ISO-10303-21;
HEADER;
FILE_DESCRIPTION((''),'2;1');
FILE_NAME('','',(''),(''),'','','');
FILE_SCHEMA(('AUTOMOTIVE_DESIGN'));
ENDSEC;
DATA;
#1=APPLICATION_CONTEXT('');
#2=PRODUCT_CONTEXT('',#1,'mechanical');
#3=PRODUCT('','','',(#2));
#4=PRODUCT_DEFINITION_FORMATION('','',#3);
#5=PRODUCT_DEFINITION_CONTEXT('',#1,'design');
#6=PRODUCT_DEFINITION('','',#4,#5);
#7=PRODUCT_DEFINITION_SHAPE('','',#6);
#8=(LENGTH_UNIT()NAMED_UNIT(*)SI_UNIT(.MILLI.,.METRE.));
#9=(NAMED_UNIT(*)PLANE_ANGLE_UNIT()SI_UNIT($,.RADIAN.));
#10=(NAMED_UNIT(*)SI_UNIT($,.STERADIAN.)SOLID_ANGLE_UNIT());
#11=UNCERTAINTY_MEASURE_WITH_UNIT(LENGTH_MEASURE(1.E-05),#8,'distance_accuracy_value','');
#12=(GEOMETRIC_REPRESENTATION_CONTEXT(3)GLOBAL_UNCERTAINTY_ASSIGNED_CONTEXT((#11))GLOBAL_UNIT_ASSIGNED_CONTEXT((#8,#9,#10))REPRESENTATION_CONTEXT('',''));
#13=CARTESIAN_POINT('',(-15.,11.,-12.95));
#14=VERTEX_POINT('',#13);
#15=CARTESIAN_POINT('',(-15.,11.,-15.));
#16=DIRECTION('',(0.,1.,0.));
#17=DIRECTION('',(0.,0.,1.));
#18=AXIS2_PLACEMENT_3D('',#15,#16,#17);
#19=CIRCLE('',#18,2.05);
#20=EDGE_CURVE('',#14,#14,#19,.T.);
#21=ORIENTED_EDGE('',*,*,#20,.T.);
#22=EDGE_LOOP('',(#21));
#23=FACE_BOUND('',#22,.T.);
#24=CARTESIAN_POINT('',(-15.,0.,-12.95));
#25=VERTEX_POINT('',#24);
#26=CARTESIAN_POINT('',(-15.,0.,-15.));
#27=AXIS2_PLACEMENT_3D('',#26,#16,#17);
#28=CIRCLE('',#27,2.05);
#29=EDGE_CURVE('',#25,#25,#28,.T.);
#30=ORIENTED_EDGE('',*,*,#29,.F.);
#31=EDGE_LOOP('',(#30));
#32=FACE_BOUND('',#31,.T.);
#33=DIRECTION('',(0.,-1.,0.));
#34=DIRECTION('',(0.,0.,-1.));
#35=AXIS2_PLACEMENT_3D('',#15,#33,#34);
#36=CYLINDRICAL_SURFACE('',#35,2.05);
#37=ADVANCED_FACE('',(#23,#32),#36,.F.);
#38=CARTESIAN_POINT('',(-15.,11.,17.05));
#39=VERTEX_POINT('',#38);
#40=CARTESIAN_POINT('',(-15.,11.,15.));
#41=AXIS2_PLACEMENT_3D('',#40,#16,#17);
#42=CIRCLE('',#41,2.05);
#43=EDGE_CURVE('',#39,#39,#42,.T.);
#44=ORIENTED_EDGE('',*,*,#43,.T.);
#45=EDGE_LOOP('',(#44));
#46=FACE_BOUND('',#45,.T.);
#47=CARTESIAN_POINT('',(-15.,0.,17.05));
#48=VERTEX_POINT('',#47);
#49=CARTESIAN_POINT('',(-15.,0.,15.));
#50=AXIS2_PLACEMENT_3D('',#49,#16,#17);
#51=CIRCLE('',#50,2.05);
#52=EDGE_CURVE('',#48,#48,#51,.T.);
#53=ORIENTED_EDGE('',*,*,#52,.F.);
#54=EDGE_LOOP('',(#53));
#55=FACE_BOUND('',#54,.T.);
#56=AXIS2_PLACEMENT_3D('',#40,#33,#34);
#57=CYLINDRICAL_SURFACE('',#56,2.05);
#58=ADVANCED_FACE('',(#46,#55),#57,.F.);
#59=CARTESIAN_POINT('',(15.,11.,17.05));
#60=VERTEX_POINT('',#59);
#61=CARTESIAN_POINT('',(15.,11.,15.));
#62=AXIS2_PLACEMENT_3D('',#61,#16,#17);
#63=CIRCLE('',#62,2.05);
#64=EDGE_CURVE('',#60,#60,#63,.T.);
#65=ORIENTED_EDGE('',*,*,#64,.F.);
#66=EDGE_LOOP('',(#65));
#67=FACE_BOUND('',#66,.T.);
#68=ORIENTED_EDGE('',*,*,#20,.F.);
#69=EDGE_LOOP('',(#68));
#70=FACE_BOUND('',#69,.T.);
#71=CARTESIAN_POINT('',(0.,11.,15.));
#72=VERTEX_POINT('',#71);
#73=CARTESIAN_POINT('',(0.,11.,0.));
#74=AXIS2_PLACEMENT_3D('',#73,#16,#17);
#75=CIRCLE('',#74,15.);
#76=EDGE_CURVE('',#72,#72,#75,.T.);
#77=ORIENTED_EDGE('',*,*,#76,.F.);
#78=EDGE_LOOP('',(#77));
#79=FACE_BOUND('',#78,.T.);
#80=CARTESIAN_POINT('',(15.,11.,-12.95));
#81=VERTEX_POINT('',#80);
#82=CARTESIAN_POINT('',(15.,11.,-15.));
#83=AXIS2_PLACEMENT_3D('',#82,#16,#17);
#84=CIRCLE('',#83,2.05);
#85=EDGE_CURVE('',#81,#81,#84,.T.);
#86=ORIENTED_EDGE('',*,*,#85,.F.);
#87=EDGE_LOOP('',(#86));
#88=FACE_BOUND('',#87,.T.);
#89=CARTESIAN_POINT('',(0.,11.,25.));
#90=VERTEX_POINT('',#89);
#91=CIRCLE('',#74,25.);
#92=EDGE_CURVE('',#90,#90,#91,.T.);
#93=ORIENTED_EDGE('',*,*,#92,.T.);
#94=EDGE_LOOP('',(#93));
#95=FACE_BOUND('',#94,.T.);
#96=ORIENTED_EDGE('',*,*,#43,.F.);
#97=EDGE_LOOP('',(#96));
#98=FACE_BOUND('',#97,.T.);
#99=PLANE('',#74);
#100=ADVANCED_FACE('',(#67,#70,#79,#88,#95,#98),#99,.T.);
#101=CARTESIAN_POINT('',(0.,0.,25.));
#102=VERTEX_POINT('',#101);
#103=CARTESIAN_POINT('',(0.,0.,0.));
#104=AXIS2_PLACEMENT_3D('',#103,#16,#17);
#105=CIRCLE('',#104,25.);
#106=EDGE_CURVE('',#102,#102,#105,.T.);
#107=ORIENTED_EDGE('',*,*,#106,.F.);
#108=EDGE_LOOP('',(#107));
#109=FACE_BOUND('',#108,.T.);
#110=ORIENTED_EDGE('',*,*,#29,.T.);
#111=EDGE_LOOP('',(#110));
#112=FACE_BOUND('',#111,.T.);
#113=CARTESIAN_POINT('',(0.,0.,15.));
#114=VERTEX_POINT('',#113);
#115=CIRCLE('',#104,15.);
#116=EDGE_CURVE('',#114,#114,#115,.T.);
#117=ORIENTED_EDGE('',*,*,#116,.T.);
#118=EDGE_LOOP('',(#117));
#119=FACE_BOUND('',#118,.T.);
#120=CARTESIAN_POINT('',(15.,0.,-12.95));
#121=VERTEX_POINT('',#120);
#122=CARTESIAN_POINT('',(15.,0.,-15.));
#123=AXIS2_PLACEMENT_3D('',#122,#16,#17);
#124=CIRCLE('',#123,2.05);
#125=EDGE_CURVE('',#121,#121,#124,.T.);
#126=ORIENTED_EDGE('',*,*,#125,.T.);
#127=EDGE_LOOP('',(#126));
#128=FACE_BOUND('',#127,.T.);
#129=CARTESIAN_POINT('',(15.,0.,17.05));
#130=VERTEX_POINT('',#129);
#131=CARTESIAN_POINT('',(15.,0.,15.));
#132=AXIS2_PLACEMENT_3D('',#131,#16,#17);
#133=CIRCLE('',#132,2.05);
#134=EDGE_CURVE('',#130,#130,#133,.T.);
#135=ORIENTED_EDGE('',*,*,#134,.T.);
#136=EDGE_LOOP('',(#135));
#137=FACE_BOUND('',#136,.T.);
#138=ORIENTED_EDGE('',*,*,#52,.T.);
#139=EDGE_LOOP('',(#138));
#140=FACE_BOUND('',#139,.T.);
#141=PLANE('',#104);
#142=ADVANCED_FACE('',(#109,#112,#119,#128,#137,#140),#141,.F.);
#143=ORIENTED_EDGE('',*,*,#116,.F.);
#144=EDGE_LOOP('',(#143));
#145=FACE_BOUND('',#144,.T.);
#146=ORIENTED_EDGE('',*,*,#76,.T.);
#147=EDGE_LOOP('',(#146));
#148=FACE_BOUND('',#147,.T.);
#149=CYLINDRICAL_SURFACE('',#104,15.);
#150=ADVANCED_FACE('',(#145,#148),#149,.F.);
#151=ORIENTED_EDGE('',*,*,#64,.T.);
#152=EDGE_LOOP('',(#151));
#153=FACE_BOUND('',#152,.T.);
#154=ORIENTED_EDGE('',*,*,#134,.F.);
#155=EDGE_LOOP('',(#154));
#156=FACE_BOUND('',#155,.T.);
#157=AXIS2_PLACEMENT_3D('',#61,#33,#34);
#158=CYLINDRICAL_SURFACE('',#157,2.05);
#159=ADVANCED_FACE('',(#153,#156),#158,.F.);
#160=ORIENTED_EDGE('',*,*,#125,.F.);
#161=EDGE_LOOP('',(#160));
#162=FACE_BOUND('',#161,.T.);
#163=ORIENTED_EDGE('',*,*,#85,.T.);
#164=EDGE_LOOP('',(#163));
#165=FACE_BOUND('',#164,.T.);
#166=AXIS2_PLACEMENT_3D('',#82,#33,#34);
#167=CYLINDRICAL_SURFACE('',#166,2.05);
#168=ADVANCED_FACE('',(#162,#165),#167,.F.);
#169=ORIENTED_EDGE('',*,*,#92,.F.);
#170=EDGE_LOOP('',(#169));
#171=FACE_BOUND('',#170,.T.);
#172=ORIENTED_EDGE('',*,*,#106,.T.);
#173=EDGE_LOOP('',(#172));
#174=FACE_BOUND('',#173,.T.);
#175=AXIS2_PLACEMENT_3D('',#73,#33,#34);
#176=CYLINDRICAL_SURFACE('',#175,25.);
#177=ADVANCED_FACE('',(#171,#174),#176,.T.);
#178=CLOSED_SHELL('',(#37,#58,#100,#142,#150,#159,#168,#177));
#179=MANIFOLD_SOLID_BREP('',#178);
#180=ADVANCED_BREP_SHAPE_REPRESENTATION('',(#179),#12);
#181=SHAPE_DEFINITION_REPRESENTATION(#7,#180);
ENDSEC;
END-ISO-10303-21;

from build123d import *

# Parameters (mm, degrees)
SKETCH_1_R          = 25
SKETCH_1_R_2        = 2.05
EXTRUDE_1_DEPTH     = 11
SKETCH_2_R          = 15
CUT_EXTRUDE_1_DEPTH = 38.027017163


with BuildPart() as part:
    # 草图1 → 凸台-拉伸1 (new body)
    with BuildSketch(Plane(origin=(0, 0, 0), x_dir=(1, 0, 0), z_dir=(0, 1, 0))):
        with Locations(Location((0, 0, 0), (0, 0, 270))):
            Circle(SKETCH_1_R)
        with Locations(Location((-15, 15, 0), (0, 0, 270))):
            Circle(SKETCH_1_R_2, mode=Mode.SUBTRACT)
        with Locations(Location((15, 15, 0), (0, 0, 270))):
            Circle(SKETCH_1_R_2, mode=Mode.SUBTRACT)
        with Locations(Location((15, -15, 0), (0, 0, 270))):
            Circle(SKETCH_1_R_2, mode=Mode.SUBTRACT)
        with Locations(Location((-15, -15, 0), (0, 0, 270))):
            Circle(SKETCH_1_R_2, mode=Mode.SUBTRACT)
    extrude(amount=EXTRUDE_1_DEPTH)

    # 草图2 → 切除-拉伸1 (cut, through all)
    with BuildSketch(Plane(origin=(0, 11, 0), x_dir=(1, 0, 0), z_dir=(0, 1, 0))):
        with Locations(Location((0, 0, 0), (0, 0, 270))):
            Circle(SKETCH_2_R)
    extrude(amount=-CUT_EXTRUDE_1_DEPTH, mode=Mode.SUBTRACT)


solid = part.part
